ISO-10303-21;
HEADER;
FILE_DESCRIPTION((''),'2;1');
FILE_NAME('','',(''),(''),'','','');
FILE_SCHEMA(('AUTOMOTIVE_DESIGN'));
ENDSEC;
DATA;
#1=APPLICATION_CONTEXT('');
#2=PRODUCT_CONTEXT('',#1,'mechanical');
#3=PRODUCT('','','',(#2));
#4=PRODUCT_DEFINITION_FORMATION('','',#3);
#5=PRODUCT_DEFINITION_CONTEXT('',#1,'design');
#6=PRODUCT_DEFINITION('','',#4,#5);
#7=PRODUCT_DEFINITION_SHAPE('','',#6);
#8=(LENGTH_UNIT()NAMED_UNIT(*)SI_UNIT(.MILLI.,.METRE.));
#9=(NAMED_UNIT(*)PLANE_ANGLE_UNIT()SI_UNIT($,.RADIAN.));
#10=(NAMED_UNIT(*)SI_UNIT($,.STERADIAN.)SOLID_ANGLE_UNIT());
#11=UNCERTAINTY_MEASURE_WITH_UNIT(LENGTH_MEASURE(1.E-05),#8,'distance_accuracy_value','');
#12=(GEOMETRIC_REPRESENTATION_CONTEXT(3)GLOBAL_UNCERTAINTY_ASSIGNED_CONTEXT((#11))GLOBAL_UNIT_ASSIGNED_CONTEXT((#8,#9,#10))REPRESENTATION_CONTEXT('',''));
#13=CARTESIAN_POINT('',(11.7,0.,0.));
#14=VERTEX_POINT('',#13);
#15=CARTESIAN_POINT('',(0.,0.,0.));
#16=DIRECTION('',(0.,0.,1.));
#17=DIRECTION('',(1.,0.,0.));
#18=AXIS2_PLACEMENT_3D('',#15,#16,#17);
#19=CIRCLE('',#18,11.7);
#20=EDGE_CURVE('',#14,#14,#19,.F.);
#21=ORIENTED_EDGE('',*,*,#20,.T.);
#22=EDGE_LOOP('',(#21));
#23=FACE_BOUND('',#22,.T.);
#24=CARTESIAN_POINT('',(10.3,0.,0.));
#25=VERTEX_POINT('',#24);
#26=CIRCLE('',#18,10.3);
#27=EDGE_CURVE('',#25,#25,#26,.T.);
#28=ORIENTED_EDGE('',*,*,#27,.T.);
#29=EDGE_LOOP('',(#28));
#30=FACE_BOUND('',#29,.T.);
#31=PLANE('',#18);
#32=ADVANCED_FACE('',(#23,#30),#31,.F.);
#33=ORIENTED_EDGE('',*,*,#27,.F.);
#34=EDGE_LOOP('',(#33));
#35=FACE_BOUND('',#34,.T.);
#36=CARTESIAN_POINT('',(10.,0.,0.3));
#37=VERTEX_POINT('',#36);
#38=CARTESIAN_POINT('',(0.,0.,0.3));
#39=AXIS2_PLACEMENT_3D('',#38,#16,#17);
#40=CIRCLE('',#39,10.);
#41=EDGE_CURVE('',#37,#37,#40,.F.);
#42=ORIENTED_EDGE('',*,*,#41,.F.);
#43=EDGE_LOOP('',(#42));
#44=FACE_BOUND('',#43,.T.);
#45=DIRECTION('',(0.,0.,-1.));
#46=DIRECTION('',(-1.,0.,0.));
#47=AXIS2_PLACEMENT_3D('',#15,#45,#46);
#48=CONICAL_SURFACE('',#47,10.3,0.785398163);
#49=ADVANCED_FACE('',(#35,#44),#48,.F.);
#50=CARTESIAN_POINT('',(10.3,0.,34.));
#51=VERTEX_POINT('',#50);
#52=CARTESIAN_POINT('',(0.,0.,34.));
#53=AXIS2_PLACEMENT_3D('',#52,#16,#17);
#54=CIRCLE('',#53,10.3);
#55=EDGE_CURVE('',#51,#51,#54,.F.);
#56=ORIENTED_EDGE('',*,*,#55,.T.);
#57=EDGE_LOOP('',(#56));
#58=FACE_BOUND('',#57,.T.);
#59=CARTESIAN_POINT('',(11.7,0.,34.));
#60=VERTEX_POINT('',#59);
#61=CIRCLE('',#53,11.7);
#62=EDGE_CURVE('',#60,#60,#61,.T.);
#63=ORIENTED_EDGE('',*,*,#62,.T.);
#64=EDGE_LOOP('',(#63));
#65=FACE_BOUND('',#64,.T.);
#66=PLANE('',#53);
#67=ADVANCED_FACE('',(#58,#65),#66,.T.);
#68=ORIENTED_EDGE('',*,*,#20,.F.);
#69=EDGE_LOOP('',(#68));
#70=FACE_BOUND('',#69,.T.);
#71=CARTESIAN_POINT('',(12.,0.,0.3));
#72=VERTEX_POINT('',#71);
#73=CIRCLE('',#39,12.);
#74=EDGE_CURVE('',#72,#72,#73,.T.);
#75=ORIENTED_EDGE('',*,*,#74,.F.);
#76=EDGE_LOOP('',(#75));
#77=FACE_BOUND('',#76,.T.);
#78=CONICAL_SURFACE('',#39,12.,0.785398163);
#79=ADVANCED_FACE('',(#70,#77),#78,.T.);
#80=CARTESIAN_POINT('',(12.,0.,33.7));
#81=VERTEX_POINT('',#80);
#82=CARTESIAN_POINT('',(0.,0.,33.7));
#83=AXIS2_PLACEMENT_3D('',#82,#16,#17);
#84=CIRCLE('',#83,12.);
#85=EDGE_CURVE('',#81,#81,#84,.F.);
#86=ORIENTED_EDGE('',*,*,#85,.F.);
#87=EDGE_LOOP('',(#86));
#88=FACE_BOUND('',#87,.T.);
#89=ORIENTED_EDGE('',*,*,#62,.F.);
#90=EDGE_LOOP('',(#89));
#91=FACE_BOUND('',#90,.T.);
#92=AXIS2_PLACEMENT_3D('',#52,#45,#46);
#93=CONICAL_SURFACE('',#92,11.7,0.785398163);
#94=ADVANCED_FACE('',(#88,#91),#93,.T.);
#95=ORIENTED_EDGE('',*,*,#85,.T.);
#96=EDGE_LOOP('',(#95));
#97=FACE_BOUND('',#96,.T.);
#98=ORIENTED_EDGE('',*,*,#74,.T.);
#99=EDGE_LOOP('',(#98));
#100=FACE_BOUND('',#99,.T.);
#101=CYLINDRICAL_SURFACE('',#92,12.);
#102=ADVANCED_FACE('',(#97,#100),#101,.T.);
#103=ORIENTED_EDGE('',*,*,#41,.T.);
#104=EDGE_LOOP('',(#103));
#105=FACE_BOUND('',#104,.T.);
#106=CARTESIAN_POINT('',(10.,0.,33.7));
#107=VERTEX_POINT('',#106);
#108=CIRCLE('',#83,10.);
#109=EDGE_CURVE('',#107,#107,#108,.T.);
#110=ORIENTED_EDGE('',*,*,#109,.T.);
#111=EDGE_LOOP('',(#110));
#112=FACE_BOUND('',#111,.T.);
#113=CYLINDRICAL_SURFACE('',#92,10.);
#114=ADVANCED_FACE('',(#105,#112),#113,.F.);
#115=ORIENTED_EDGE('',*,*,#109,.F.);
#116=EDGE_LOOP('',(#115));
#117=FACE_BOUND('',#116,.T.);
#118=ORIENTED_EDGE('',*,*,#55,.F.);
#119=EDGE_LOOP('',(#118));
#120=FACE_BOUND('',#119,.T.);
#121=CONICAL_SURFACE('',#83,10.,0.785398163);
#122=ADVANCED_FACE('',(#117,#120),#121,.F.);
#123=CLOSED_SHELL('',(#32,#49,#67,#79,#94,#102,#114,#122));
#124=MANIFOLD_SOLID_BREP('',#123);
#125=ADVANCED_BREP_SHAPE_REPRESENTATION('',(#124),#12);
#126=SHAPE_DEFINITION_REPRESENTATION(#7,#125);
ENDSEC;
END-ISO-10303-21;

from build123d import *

# Parameters (mm, degrees)
SCHIZZO1_R                   = 12
SCHIZZO1_R_2                 = 10
ESTRUSIONE_ESTRUSIONE1_DEPTH = 34
SMUSSO1_SIZE                 = 0.3


with BuildPart() as part:
    # Schizzo1 → Estrusione-Estrusione1 (new body)
    with BuildSketch(Plane.XY):
        Circle(SCHIZZO1_R)
        Circle(SCHIZZO1_R_2, mode=Mode.SUBTRACT)
    extrude(amount=ESTRUSIONE_ESTRUSIONE1_DEPTH)

    # Smusso1
    smusso1_edges = [part.edges().sort_by_distance(p)[0] for p in [
        (-12, 0, 0),
        (-12, 0, 34),
        (-10, 0, 0),
        (-10, 0, 34),
    ]]
    chamfer(smusso1_edges, length=SMUSSO1_SIZE)


solid = part.part
